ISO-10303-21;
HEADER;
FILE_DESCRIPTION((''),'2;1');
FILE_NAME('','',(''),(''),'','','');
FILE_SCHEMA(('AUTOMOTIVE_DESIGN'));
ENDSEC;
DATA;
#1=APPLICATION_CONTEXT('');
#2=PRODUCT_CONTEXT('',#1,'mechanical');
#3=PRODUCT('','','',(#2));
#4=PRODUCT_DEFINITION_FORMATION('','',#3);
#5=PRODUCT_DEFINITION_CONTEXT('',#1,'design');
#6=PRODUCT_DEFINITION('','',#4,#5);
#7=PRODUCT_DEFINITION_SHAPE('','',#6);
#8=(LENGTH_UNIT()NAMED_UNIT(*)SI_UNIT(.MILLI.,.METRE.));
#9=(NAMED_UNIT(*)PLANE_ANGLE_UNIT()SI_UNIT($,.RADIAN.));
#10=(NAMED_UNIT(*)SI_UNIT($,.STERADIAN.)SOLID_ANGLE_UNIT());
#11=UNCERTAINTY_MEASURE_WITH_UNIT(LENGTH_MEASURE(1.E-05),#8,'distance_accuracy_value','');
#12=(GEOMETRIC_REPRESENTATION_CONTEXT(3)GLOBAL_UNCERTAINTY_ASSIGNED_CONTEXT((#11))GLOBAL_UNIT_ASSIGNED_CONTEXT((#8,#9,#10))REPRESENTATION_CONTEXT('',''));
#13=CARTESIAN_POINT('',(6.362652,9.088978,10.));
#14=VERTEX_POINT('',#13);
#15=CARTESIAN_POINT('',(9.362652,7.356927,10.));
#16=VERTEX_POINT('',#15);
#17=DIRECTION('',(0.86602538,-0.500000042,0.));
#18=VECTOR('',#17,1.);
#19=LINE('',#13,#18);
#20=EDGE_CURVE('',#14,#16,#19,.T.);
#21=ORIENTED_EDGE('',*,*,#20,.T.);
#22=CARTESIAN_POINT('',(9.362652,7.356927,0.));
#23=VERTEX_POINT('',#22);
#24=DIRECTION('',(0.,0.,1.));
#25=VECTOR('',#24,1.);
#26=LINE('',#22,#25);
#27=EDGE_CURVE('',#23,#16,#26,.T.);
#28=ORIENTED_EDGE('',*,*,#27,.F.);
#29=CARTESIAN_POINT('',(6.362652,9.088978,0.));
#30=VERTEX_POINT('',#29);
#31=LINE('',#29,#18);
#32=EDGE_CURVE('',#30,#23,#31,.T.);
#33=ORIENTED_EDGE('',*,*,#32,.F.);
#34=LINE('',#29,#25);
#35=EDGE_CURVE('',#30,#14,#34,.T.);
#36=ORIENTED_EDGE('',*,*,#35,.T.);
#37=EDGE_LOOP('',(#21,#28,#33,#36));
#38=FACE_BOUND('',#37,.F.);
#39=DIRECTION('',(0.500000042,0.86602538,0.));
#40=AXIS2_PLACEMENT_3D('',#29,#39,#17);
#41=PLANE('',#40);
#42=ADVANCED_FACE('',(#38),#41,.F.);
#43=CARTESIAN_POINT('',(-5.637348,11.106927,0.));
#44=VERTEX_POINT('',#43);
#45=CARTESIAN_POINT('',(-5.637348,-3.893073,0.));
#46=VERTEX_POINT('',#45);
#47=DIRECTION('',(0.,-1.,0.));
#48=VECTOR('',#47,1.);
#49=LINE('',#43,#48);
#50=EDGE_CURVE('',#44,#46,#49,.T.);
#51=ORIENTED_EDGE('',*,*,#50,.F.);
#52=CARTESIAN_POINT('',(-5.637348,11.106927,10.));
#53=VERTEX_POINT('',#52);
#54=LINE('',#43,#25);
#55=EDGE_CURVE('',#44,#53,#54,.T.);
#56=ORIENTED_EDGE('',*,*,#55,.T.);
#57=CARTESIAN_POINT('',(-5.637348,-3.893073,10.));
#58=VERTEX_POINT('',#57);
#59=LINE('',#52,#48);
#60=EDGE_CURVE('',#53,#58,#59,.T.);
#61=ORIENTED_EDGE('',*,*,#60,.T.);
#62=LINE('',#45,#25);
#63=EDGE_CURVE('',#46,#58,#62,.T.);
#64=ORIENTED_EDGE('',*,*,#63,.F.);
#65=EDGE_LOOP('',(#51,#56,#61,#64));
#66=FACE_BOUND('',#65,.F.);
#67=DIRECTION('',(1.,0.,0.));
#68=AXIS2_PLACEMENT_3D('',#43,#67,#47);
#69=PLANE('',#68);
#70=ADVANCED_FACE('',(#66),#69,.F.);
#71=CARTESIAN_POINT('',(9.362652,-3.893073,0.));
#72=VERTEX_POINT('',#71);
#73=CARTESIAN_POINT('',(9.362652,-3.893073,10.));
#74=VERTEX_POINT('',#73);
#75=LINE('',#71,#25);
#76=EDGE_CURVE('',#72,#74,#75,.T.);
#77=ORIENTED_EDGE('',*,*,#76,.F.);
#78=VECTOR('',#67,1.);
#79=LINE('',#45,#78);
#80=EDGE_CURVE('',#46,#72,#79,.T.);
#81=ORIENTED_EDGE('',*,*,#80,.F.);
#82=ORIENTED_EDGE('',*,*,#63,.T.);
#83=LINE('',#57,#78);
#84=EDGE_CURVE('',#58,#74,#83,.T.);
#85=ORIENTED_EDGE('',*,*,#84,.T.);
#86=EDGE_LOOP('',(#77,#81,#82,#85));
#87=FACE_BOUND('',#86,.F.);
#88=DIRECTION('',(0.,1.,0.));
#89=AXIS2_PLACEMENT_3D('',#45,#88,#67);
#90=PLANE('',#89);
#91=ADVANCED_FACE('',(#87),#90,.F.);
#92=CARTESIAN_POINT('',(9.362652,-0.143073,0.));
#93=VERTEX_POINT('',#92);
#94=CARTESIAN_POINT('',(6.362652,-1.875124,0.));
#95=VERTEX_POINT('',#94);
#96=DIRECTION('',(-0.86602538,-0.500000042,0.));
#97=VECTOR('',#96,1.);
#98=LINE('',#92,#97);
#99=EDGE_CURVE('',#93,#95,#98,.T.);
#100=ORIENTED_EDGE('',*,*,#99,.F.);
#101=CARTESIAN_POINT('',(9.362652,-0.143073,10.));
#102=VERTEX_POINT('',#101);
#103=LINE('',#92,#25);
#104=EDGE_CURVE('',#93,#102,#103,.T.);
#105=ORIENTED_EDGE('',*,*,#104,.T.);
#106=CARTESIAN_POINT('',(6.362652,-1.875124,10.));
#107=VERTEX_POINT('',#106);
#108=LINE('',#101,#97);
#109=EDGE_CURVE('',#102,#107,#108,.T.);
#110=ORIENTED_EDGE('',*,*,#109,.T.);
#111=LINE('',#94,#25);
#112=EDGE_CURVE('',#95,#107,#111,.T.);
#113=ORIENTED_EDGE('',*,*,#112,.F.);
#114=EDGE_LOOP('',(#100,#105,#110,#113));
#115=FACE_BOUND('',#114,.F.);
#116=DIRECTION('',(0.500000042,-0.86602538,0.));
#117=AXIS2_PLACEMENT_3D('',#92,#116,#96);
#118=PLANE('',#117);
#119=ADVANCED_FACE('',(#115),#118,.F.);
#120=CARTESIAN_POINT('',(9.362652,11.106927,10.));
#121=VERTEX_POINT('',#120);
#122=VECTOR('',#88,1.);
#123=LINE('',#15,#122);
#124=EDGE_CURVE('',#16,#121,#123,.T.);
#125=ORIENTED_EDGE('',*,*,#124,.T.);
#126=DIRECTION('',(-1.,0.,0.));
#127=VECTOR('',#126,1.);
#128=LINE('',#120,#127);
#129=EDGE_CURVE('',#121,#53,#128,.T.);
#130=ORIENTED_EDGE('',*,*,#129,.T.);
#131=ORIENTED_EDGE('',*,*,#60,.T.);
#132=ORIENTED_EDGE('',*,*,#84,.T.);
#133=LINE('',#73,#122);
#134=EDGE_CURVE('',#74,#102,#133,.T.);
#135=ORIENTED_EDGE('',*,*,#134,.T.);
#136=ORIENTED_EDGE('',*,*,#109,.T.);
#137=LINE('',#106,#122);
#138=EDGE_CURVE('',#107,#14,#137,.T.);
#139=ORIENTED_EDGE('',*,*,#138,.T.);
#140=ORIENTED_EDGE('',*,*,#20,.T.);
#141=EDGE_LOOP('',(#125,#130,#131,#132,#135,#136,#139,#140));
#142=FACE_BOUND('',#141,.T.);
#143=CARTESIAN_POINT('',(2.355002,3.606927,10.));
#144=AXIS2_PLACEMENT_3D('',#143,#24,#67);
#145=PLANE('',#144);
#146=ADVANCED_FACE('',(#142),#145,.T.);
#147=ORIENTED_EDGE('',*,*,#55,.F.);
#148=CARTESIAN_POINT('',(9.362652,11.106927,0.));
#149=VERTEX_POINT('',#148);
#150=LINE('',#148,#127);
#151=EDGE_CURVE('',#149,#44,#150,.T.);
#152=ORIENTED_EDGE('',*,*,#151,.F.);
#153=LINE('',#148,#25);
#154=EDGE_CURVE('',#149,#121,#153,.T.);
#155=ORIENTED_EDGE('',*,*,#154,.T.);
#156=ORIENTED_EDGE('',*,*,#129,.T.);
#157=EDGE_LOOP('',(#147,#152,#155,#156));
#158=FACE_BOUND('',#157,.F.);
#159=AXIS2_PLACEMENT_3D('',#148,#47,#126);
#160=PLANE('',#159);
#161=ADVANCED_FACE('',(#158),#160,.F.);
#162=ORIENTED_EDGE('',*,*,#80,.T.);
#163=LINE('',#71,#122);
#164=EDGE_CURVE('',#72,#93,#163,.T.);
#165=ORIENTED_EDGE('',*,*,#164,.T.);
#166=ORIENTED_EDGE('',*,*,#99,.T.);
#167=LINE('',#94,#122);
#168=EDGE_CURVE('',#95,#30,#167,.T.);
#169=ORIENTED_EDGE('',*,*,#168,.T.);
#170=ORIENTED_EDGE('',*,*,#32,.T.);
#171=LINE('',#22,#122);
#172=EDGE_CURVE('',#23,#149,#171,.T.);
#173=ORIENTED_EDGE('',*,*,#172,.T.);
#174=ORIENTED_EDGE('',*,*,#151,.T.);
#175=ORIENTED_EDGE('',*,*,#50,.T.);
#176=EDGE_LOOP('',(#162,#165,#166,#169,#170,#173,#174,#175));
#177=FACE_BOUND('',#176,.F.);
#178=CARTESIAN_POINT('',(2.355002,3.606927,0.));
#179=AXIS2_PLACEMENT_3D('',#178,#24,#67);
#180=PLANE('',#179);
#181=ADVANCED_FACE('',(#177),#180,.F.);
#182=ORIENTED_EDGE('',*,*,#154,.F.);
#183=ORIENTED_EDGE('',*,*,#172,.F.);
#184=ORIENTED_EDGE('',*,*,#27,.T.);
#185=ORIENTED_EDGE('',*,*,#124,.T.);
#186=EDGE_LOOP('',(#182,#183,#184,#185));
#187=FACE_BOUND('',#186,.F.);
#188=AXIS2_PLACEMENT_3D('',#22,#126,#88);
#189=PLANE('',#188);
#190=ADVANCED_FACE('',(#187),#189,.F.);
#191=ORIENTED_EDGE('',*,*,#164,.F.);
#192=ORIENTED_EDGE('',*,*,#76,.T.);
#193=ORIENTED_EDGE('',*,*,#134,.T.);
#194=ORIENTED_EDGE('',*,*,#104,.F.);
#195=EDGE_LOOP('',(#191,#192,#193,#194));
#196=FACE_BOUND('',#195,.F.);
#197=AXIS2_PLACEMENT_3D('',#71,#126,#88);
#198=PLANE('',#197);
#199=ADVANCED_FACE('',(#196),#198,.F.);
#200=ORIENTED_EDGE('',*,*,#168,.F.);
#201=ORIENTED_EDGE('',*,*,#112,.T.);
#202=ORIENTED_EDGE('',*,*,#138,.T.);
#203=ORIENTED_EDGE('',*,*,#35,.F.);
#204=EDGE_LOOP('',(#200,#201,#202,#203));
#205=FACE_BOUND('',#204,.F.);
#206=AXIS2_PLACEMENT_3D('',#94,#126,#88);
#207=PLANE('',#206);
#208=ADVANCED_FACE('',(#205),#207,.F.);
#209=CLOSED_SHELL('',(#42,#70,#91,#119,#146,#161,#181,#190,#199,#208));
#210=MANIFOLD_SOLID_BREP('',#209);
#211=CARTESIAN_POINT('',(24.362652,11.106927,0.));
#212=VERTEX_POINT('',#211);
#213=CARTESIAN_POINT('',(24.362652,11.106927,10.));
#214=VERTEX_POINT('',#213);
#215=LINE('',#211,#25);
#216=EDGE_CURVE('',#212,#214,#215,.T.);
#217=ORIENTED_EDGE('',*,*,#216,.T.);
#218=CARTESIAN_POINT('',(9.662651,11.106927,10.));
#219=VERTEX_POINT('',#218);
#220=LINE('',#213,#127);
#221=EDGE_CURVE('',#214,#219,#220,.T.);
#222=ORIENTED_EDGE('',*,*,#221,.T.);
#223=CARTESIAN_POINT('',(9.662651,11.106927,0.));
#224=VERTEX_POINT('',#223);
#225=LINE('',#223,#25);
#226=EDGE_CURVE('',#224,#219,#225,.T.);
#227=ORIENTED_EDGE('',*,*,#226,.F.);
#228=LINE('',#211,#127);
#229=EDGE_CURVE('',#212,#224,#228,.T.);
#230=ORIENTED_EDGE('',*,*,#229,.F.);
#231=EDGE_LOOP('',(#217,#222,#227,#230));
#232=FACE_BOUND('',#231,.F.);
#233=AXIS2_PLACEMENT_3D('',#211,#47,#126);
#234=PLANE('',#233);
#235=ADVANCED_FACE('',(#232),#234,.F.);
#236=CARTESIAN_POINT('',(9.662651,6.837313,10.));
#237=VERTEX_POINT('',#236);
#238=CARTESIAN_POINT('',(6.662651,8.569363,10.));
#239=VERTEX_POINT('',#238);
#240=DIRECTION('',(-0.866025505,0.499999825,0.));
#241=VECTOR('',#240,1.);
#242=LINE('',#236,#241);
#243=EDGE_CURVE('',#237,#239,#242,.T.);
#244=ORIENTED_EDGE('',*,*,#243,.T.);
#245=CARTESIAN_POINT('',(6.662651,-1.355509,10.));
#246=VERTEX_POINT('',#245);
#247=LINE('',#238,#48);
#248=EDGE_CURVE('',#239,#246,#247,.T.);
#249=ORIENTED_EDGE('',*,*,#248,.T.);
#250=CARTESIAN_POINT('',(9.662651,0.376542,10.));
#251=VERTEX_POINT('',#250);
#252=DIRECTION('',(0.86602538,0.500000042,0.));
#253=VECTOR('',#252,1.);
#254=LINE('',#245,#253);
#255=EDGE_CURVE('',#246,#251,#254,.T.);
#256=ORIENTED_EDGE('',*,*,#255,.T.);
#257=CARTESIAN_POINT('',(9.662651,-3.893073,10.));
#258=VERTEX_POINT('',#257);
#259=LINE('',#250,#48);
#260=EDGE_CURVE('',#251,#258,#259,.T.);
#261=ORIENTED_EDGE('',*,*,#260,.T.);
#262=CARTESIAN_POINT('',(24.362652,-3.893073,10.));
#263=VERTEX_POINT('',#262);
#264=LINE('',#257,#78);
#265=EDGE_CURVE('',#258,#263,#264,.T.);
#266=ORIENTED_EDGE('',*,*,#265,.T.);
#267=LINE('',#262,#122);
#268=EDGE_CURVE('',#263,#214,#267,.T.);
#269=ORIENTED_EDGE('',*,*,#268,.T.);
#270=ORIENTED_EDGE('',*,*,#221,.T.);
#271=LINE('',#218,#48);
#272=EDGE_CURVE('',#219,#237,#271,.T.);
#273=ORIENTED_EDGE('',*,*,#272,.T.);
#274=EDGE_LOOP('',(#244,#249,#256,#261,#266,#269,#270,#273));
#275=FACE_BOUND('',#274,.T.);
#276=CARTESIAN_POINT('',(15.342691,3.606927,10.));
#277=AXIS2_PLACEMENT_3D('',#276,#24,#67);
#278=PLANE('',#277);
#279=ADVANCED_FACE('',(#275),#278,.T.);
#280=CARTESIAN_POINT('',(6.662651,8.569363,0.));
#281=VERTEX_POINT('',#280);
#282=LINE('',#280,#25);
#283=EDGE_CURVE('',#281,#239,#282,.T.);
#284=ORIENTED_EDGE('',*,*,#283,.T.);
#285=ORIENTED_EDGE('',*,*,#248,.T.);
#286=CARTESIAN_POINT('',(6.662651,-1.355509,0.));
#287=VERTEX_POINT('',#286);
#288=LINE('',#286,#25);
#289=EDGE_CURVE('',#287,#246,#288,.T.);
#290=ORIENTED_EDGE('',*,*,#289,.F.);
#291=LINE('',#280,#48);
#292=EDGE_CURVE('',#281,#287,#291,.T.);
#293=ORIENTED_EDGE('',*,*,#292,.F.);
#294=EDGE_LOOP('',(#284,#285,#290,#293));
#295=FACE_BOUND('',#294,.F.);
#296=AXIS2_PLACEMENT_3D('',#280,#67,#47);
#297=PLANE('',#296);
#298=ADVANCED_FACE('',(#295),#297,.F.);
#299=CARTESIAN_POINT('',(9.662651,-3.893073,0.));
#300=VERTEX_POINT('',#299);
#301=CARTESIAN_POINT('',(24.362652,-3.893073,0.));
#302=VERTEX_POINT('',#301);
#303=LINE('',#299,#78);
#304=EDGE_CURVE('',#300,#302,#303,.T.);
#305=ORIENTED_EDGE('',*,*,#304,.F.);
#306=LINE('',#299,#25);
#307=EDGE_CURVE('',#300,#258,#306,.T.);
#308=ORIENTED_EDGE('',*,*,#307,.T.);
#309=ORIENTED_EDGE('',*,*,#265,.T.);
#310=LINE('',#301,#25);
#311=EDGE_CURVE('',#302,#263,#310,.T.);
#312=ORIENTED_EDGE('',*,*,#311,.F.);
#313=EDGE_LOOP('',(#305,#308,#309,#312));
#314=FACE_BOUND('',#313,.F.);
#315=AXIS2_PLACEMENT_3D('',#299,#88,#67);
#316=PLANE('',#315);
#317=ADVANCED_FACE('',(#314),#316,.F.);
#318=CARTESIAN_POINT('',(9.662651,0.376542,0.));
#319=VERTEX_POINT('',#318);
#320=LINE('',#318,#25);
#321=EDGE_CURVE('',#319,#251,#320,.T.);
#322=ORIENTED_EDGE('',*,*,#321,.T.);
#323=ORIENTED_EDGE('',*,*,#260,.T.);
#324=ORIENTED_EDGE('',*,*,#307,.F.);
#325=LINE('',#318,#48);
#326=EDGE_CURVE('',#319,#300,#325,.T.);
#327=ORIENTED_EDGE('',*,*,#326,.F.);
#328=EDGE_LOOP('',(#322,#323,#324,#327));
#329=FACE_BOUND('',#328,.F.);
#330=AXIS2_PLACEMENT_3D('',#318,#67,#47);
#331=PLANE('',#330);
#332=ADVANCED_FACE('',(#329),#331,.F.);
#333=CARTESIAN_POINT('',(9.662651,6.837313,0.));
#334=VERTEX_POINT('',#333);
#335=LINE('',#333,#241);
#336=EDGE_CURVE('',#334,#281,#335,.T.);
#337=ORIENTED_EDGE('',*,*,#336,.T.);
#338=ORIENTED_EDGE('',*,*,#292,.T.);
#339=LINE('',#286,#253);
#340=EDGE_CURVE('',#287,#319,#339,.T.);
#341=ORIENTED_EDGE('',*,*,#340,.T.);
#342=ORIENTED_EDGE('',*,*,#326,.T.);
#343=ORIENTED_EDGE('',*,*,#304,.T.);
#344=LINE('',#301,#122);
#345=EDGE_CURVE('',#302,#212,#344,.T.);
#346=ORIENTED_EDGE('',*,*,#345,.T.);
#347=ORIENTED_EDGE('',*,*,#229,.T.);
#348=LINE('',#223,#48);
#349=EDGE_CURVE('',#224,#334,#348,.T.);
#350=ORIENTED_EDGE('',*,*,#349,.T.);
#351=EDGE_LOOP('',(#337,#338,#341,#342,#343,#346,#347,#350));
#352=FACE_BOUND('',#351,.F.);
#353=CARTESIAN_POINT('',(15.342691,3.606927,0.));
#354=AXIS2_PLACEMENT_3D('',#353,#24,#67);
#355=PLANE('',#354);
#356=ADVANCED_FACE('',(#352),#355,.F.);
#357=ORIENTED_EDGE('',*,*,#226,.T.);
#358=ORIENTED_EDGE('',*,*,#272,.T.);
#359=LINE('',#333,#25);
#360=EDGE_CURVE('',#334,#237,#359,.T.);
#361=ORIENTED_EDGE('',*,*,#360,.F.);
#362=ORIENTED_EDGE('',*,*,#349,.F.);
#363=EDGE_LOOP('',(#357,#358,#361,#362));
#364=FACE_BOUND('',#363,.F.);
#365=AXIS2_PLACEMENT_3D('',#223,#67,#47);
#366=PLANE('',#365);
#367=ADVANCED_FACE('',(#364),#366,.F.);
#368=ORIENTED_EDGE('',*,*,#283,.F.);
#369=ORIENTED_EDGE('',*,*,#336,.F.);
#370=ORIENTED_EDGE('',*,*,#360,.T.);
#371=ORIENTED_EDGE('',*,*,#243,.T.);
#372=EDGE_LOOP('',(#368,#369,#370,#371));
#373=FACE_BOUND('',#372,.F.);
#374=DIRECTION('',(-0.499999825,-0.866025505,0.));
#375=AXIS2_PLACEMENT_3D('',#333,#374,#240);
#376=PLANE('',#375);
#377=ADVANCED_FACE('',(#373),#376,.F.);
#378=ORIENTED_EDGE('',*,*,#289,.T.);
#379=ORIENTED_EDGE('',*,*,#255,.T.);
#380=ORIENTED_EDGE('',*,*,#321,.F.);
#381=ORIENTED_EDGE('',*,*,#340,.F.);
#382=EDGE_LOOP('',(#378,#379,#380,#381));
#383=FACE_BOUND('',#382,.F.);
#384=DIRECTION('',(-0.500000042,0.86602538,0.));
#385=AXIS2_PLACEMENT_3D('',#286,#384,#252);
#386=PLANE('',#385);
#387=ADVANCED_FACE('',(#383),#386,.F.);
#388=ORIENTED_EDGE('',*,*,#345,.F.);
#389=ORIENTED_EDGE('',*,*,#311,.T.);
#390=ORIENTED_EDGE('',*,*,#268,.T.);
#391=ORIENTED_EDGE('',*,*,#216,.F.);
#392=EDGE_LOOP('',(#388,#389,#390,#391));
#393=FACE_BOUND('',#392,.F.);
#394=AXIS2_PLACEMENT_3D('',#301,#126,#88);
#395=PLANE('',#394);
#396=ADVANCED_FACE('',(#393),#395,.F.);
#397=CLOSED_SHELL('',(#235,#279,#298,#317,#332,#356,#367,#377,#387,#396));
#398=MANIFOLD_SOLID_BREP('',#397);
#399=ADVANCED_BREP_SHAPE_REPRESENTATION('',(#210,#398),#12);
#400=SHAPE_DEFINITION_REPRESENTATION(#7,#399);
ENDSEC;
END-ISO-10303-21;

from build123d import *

# Parameters (mm, degrees)
F1_DEPTH = 10
F2_DEPTH = 10


with BuildPart() as f1:
    # F0 (on Top) → F1 (new body)
    with BuildSketch(Plane.XY):
        Polygon((9.362652, 11.106927), (-5.637348, 11.106927), (-5.637348, -3.893073), (9.362652, -3.893073), (9.362652, -0.143073), (6.362652, -1.875124), (6.362652, 3.606927), (6.362652, 9.088978), (9.362652, 7.356927), align=None)
    extrude(amount=F1_DEPTH)


with BuildPart() as f2:
    # F0 (on Top) → F2 (new body)
    with BuildSketch(Plane.XY):
        Polygon((24.362652, 11.106927), (9.662651, 11.106927), (9.662651, 6.837313), (6.662651, 8.569363), (6.662651, 3.606927), (6.662651, -1.355509), (9.662651, 0.376542), (9.662651, -3.893073), (24.362652, -3.893073), align=None)
    extrude(amount=F2_DEPTH)


solid = Compound([f1.part, f2.part])
